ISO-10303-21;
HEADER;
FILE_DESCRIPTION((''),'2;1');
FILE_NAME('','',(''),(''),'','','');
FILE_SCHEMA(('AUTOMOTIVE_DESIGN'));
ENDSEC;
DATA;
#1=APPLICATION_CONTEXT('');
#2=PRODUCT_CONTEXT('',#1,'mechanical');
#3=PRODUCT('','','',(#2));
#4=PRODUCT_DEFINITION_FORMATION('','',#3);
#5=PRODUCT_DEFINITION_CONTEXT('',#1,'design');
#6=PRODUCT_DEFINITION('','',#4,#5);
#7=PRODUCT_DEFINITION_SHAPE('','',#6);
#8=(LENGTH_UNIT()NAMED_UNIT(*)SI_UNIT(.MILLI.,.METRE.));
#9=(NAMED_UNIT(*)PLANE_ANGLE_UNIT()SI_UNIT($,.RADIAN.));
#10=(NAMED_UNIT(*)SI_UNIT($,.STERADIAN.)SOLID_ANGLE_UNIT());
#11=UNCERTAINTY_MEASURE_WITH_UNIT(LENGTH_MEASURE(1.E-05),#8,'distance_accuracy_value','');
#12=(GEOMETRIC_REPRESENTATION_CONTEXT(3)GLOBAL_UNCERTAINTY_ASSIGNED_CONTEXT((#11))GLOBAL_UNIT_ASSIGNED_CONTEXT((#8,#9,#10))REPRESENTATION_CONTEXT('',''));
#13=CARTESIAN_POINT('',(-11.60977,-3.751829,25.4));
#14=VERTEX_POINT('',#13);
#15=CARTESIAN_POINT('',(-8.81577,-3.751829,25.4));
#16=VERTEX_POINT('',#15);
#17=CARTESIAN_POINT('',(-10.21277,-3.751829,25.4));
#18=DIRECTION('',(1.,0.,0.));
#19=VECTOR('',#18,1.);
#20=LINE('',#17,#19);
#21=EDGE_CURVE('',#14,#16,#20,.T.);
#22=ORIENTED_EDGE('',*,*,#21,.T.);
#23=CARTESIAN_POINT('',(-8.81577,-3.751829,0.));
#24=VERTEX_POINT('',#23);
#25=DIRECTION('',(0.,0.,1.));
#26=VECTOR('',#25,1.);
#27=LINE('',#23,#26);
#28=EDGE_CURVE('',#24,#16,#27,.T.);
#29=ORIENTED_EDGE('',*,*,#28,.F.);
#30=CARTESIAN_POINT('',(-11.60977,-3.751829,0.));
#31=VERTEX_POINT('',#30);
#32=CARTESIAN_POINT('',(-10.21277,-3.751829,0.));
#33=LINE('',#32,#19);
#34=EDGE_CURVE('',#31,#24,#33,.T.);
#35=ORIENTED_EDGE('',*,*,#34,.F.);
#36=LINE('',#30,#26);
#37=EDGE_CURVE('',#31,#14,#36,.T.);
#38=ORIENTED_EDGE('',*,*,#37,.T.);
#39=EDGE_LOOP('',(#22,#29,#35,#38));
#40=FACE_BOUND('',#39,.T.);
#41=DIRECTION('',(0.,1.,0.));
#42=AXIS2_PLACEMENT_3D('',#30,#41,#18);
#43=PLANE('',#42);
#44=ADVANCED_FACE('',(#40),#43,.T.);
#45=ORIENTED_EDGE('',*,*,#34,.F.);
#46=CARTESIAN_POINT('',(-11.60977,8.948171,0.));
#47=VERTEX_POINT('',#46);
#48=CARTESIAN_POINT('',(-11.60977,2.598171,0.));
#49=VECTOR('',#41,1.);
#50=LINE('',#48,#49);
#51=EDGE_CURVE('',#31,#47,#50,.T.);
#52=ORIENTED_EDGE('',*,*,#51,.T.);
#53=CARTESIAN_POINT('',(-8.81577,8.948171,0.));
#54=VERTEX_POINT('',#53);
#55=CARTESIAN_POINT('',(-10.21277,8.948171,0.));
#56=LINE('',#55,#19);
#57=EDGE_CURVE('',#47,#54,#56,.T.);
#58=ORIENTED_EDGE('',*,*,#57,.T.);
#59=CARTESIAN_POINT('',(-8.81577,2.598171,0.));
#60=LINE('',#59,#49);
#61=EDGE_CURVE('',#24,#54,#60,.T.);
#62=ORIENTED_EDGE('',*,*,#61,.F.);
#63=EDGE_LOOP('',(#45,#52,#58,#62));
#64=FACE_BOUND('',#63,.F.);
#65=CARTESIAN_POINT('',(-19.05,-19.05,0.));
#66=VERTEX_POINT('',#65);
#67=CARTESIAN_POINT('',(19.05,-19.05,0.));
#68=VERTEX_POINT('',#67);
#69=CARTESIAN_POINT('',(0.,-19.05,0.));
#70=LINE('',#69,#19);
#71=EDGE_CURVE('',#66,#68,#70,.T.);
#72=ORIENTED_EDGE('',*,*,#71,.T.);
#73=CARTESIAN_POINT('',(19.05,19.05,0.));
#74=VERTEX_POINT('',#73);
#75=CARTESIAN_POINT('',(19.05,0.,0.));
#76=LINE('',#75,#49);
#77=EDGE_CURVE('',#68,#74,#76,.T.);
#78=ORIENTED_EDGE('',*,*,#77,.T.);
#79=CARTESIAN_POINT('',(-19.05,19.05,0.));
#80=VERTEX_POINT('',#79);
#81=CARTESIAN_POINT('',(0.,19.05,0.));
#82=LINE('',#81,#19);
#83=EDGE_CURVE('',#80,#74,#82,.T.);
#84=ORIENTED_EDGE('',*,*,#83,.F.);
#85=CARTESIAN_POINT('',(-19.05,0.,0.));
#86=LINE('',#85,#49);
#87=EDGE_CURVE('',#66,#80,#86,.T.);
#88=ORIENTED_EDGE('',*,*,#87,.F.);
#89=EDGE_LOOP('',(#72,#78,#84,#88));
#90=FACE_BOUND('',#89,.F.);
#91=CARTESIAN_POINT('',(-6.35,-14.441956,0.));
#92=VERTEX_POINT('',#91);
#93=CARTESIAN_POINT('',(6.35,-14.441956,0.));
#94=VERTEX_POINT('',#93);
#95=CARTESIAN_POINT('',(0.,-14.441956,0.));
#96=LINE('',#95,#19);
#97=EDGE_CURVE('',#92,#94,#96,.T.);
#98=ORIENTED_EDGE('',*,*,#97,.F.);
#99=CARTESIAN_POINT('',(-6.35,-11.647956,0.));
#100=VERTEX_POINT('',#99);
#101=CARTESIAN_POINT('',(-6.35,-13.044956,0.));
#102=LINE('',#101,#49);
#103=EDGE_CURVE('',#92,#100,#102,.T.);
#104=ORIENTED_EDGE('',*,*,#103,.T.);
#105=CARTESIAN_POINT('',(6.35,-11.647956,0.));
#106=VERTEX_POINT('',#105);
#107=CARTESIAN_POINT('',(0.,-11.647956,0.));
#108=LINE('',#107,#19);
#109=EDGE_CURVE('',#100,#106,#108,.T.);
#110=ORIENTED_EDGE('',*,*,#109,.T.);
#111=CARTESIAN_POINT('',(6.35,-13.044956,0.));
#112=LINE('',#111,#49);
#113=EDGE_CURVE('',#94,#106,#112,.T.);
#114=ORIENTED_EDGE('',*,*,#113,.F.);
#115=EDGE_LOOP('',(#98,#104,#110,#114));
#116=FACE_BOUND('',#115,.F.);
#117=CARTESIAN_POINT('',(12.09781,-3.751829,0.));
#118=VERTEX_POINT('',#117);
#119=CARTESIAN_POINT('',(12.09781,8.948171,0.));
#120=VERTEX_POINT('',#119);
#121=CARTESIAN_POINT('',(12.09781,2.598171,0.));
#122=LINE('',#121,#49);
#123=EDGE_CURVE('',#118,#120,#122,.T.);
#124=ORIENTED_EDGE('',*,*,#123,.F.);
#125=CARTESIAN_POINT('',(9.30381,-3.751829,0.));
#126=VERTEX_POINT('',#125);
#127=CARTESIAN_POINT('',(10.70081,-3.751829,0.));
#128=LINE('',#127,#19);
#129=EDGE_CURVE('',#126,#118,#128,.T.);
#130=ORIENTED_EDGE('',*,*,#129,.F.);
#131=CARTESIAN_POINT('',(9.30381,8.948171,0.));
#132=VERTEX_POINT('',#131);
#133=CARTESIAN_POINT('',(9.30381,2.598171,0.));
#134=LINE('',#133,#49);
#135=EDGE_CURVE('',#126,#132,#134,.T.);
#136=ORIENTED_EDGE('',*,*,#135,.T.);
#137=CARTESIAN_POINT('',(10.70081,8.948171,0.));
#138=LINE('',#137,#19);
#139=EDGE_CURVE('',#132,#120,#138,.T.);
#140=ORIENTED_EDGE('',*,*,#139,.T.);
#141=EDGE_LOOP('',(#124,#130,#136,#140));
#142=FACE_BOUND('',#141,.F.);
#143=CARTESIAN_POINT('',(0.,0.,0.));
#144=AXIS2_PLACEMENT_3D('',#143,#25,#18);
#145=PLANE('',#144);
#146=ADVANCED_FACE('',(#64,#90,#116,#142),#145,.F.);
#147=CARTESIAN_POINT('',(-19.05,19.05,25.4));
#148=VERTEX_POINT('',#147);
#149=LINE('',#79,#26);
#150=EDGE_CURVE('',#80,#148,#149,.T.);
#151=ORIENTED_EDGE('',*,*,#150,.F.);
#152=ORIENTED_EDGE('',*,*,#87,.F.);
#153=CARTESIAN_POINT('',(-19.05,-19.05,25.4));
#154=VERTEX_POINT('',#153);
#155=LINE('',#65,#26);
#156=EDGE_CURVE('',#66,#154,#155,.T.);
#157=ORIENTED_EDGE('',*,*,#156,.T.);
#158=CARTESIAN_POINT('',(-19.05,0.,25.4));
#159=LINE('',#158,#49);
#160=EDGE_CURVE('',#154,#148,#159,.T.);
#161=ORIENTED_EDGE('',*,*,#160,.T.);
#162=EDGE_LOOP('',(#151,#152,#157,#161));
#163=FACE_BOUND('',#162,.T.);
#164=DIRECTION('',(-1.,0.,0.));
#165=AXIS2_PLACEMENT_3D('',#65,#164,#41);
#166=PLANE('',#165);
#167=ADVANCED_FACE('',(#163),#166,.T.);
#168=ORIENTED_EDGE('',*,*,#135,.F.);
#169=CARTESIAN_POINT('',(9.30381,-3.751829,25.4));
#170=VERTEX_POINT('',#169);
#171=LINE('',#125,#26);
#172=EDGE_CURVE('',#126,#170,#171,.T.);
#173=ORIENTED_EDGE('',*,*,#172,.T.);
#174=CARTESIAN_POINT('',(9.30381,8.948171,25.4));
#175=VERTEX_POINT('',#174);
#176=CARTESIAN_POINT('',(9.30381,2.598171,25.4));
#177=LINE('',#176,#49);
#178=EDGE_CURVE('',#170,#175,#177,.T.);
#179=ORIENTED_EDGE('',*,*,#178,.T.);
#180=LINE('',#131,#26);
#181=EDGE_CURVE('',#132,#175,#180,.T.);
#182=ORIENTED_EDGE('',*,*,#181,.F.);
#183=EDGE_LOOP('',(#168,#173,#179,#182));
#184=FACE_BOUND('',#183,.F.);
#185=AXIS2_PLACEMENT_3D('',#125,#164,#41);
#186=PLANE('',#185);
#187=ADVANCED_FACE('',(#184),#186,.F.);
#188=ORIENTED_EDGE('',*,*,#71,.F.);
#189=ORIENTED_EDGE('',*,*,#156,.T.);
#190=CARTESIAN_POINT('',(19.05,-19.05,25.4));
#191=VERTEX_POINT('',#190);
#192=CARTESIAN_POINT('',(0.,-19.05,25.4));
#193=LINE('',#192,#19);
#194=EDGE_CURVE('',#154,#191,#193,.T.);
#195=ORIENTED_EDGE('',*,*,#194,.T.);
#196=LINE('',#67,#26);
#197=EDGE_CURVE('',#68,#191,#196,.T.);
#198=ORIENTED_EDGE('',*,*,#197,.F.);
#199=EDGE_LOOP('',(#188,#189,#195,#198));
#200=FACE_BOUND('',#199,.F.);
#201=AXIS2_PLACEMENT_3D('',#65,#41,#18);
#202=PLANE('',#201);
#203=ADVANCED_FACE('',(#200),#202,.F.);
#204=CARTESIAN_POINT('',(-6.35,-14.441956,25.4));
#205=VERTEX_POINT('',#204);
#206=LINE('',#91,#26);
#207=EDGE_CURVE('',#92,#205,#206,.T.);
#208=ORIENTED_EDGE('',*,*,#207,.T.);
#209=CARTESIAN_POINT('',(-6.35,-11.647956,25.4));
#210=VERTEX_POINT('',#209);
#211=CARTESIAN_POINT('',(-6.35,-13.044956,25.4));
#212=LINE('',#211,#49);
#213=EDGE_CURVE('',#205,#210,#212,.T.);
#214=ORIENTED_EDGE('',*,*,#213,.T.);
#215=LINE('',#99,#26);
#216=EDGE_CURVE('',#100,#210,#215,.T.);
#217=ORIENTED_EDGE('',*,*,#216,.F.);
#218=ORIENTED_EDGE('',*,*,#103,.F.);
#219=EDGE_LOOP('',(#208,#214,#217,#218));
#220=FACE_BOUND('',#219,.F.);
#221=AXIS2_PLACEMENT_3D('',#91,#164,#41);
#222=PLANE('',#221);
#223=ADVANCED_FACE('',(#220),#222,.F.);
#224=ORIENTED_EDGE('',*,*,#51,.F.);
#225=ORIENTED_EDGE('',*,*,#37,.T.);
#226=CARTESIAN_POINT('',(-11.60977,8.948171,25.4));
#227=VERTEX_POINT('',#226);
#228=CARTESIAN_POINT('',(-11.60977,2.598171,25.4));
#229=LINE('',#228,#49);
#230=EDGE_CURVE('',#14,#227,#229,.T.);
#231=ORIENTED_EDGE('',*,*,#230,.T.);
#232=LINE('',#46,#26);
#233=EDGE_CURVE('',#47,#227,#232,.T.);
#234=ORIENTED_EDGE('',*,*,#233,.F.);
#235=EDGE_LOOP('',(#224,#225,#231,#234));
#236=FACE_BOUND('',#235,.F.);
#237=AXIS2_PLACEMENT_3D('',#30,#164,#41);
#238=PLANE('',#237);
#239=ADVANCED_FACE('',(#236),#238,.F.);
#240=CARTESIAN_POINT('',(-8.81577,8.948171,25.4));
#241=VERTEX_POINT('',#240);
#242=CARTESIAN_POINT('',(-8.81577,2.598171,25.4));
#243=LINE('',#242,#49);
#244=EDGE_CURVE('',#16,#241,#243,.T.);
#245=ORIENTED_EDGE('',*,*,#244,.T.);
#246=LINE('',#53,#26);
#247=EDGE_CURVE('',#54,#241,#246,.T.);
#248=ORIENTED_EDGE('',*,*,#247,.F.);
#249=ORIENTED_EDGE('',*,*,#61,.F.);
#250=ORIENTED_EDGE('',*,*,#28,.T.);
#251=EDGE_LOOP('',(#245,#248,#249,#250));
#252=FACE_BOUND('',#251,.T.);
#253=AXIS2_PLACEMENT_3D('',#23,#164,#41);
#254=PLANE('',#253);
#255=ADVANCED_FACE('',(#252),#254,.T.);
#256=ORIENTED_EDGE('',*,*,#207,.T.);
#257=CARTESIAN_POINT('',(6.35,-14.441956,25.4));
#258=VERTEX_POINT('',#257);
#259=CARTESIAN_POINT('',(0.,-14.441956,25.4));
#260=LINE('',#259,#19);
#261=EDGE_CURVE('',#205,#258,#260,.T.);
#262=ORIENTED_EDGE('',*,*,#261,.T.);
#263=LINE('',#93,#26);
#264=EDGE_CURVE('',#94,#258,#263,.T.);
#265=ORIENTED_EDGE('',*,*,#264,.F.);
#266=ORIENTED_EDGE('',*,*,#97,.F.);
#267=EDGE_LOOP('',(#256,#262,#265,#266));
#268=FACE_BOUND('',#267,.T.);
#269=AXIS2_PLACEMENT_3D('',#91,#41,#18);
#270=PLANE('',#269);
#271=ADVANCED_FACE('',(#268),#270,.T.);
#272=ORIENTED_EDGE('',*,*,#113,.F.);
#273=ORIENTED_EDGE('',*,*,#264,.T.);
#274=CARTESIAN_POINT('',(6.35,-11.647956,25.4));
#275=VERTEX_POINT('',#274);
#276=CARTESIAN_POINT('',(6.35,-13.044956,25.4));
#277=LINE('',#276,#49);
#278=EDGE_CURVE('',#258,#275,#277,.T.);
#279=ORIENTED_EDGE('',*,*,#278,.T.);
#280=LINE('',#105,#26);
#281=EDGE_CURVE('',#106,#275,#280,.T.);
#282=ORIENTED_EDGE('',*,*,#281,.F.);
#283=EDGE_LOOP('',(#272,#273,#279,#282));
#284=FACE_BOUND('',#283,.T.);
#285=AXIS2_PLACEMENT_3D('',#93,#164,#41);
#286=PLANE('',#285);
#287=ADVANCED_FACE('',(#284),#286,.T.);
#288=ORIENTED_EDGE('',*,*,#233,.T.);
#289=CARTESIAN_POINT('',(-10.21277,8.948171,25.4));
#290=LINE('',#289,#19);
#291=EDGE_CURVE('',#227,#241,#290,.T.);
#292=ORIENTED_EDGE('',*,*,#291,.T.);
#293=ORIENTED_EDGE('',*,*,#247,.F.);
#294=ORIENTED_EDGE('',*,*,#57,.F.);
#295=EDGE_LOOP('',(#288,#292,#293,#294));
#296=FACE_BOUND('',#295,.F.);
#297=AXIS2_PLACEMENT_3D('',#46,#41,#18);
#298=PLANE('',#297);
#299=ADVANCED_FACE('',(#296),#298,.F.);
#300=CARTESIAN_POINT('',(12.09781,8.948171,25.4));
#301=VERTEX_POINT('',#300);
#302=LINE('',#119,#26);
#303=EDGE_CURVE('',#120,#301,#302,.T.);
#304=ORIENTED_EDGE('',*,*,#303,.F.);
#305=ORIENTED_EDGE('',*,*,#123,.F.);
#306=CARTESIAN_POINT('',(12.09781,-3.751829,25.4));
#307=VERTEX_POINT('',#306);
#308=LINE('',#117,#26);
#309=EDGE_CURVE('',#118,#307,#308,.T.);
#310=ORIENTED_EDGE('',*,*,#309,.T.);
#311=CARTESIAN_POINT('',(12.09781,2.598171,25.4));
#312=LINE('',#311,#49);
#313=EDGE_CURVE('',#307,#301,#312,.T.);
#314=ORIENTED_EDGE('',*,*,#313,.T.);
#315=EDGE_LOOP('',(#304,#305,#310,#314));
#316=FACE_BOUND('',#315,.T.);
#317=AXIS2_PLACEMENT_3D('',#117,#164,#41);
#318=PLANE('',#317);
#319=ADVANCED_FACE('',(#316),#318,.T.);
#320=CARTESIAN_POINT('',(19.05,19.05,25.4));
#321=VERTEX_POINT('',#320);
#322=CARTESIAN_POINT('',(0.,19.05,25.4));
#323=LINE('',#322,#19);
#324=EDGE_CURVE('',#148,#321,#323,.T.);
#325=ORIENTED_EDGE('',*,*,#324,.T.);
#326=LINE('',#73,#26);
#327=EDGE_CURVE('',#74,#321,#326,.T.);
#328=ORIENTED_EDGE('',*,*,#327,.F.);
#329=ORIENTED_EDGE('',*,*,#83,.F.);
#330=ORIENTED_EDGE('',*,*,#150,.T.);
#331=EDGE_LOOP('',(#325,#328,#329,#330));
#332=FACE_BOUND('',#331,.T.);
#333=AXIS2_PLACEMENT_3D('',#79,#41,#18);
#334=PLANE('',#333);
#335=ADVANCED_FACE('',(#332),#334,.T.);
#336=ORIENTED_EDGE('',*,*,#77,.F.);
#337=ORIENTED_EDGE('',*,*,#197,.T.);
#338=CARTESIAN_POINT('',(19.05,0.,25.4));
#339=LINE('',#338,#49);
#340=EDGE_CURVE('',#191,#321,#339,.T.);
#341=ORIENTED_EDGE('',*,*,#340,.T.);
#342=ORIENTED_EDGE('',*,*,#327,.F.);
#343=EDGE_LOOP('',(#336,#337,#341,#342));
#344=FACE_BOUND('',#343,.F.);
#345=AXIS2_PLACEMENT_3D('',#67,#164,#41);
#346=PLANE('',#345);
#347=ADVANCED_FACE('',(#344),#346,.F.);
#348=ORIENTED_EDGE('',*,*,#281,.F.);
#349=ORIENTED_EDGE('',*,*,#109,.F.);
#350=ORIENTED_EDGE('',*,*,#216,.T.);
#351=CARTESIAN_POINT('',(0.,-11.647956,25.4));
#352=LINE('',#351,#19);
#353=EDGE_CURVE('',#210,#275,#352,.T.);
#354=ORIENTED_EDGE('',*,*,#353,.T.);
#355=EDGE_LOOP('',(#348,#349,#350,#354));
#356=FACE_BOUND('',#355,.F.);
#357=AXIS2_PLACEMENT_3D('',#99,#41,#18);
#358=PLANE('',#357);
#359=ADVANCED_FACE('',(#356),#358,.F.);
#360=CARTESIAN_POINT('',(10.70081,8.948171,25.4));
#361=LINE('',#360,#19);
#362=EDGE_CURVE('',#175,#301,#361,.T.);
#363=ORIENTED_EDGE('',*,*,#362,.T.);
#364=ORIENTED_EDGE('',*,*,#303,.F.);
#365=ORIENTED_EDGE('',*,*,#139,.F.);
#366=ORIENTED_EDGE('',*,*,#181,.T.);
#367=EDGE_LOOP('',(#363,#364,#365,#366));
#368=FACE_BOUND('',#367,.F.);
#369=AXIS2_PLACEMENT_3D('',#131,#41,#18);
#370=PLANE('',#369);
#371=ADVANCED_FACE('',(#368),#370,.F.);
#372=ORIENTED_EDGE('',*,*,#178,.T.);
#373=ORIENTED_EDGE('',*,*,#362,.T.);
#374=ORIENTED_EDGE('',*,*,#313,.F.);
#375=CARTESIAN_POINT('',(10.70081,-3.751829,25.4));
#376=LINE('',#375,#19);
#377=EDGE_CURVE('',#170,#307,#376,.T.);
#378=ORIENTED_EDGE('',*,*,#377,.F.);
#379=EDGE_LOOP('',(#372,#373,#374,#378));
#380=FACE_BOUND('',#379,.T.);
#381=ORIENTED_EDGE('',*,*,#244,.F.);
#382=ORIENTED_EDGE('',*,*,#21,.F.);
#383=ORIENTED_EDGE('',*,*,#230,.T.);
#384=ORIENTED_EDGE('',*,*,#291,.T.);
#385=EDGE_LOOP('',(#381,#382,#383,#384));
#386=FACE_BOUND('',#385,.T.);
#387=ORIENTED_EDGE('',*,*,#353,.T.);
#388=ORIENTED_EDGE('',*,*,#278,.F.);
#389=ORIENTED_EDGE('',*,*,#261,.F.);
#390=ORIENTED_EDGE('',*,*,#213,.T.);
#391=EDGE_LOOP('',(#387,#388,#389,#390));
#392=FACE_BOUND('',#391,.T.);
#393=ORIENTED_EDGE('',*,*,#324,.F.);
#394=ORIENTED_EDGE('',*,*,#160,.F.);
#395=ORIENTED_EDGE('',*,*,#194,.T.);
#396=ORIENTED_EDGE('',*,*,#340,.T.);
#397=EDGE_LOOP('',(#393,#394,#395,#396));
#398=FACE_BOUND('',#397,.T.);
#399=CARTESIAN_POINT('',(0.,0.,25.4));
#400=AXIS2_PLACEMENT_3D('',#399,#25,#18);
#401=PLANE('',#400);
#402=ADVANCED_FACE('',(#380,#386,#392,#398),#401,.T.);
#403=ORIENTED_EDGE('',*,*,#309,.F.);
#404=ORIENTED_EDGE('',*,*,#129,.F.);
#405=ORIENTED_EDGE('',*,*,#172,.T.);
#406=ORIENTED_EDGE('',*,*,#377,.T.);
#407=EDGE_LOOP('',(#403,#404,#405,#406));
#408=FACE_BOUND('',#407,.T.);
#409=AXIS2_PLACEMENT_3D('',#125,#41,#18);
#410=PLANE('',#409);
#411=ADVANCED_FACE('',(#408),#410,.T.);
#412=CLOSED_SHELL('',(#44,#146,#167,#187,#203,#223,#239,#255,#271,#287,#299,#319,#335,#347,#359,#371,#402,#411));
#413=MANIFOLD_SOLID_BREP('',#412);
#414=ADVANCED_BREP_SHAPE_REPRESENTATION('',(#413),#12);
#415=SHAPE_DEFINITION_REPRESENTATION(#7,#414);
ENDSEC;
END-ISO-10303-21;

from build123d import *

# Parameters (mm, degrees)
F0_W     = 38.1
F0_H     = 38.1
F0_W_2   = 12.7
F0_H_2   = 2.794
F0_W_3   = 2.794
F0_H_3   = 12.7
F1_DEPTH = 25.4
F2_DEPTH = 25.4


with BuildPart() as f1:
    # F0 (on Top) → F1 (new body)
    with BuildSketch(Plane.XY):
        Rectangle(F0_W, F0_H)
        with Locations((0, -13.044956)):
            Rectangle(F0_W_2, F0_H_2, mode=Mode.SUBTRACT)
        with Locations((-10.21277, 2.598171)):
            Rectangle(F0_W_3, F0_H_3, mode=Mode.SUBTRACT)
        with Locations((10.70081, 2.598171)):
            Rectangle(F0_W_3, F0_H_3, mode=Mode.SUBTRACT)
    extrude(amount=F1_DEPTH)

    # F0 (on Top) → F2 (cut)
    with BuildSketch(Plane.XY):
        Rectangle(F0_W, F0_H)
        with Locations((0, -13.044956)):
            Rectangle(F0_W_2, F0_H_2, mode=Mode.SUBTRACT)
        with Locations((-10.21277, 2.598171)):
            Rectangle(F0_W_3, F0_H_3, mode=Mode.SUBTRACT)
        with Locations((10.70081, 2.598171)):
            Rectangle(F0_W_3, F0_H_3, mode=Mode.SUBTRACT)
    extrude(amount=-F2_DEPTH, mode=Mode.SUBTRACT)


solid = f1.part
